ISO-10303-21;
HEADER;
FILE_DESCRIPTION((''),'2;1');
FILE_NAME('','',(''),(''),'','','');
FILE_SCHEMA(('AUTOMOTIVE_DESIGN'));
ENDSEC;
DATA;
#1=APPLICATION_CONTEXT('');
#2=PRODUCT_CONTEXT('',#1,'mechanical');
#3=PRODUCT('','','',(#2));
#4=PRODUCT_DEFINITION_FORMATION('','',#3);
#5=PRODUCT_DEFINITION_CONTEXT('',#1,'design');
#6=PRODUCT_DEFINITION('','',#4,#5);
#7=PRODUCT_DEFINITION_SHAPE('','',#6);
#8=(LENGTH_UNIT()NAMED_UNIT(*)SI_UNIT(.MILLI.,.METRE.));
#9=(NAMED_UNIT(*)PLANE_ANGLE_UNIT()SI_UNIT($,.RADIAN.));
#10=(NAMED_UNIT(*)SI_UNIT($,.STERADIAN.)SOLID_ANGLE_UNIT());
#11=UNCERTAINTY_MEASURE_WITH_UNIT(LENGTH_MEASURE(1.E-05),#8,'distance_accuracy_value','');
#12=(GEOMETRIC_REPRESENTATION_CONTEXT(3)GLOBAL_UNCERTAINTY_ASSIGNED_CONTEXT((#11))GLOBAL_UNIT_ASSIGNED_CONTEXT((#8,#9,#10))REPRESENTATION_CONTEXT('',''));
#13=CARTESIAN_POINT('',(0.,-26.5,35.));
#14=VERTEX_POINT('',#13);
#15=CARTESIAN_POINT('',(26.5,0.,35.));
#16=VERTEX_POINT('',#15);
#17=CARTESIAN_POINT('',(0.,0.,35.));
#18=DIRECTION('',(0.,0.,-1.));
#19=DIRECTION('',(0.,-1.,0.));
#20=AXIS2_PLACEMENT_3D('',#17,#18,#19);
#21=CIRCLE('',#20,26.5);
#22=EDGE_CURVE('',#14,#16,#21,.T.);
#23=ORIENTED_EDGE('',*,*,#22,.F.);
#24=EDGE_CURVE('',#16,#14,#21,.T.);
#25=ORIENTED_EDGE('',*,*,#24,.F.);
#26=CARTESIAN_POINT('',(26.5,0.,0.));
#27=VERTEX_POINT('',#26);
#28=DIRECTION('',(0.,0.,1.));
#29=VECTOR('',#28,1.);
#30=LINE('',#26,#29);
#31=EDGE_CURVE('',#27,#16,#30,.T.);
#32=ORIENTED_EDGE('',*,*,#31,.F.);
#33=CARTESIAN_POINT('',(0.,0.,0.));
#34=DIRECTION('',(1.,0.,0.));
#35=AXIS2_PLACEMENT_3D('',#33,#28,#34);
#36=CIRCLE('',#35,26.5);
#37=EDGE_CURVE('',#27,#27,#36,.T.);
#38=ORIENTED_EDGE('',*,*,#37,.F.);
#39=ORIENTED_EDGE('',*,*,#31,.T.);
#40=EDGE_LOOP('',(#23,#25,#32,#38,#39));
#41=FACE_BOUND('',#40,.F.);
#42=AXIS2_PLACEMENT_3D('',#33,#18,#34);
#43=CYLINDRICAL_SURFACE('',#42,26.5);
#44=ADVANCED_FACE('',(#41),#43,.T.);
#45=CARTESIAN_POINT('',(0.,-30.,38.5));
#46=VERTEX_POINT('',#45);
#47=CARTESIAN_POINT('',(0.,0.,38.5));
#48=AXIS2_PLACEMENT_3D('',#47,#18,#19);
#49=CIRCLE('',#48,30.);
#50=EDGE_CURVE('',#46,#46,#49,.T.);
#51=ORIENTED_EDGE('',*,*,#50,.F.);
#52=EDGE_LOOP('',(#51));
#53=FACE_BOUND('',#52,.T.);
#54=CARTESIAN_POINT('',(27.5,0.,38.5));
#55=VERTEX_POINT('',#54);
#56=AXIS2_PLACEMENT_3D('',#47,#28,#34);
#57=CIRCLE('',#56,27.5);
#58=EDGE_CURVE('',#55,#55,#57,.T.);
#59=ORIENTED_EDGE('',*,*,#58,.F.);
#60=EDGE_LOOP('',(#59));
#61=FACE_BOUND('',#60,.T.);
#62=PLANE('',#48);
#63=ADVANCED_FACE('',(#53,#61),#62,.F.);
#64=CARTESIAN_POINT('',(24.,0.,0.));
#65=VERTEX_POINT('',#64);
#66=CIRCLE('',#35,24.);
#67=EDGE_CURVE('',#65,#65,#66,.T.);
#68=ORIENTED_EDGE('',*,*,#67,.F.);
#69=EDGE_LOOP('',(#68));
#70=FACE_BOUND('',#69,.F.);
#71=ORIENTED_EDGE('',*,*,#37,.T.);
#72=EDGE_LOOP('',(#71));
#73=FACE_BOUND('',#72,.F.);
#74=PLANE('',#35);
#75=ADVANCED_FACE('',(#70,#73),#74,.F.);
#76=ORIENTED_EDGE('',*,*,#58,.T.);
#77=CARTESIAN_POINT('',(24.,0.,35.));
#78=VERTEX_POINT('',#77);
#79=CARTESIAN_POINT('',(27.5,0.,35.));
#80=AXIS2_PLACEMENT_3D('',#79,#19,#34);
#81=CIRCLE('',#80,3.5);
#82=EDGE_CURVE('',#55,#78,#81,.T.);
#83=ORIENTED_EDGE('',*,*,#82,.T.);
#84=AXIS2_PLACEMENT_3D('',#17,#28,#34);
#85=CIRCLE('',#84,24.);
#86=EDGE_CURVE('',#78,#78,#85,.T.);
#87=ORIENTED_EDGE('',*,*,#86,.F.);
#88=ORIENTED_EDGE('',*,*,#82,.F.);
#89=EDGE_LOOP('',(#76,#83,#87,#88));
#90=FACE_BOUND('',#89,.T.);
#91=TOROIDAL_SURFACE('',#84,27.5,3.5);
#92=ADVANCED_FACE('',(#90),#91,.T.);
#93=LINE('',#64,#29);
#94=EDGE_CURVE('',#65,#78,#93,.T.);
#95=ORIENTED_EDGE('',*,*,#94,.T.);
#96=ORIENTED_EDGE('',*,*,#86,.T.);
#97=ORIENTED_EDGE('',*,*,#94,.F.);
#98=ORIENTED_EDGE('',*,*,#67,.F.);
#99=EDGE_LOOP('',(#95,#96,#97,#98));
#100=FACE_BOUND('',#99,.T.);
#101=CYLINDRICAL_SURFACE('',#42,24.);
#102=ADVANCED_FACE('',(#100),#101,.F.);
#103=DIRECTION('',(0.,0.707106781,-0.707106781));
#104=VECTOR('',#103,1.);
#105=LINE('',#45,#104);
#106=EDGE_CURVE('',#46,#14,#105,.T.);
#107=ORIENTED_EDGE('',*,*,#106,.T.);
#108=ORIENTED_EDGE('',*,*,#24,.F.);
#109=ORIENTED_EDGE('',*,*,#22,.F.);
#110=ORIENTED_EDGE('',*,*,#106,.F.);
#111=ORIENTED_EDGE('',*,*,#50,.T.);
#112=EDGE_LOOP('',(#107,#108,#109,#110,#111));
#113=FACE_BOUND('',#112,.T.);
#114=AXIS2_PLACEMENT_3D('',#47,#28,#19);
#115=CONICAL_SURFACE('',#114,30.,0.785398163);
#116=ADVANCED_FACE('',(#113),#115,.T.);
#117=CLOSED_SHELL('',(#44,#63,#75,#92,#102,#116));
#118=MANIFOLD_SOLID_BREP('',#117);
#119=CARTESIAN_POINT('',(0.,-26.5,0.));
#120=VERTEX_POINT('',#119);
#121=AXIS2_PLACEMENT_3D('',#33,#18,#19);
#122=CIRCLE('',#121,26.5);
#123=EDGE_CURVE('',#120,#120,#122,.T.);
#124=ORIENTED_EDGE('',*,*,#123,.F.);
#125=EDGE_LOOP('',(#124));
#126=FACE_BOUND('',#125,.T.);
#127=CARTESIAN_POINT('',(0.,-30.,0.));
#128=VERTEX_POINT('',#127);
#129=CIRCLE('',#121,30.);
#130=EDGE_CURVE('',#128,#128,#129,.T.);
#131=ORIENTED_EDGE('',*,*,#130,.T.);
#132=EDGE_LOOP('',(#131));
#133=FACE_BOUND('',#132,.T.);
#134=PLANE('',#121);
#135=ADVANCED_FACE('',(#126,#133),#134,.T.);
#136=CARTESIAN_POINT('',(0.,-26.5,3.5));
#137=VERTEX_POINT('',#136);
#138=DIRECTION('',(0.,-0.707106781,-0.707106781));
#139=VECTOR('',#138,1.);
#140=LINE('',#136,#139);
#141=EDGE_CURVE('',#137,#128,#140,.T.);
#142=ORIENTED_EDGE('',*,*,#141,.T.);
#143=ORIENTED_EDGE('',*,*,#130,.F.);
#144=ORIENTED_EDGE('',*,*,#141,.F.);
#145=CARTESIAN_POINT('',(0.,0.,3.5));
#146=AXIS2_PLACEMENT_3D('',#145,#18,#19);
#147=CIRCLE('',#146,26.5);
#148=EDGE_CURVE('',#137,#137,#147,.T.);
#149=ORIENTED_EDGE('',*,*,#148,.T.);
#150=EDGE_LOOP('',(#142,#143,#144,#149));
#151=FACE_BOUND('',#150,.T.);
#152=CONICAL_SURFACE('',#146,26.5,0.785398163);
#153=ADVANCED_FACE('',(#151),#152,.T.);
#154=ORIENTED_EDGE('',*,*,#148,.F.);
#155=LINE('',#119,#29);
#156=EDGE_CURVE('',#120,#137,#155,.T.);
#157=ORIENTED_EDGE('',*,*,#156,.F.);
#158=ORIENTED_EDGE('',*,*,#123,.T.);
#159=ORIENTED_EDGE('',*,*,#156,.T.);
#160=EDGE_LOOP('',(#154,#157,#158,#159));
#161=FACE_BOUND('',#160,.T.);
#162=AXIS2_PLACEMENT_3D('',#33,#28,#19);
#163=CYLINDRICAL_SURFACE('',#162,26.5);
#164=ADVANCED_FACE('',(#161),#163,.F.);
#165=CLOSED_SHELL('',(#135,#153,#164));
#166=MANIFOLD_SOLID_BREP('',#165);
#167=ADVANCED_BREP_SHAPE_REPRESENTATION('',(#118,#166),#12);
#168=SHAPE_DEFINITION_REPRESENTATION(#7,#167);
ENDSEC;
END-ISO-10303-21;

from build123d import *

# Parameters (mm, degrees)
F2_R     = 26.5
F2_R_2   = 24
F3_DEPTH = 38.5
F7_R     = 3.5


with BuildPart() as f3:
    # F2 (on Top) → F3 (new body)
    with BuildSketch(Plane.XY):
        Circle(F2_R)
        Circle(F2_R_2, mode=Mode.SUBTRACT)
    extrude(amount=F3_DEPTH)

    # F4 (on Right) → F5 (revolve)
    with BuildSketch(Plane.YZ):
        Polygon((-30, 38.5), (-26.5, 35), (-26.5, 38.5), align=None)
    revolve(axis=Axis((0, 0, 19.25), (0, 0, -1)))

    # F7
    f7_edges = [f3.edges().sort_by_distance(p)[0] for p in [
        (-24, 0, 38.5),
    ]]
    fillet(f7_edges, radius=F7_R)


with BuildPart() as f6:
    # F4 (on Right) → F6 (revolve)
    with BuildSketch(Plane.YZ):
        Polygon((-30, 0), (-26.5, 0), (-26.5, 3.5), align=None)
    revolve(axis=Axis((0, 0, 0), (0, 0, -1)))


solid = Compound([f3.part, f6.part])
